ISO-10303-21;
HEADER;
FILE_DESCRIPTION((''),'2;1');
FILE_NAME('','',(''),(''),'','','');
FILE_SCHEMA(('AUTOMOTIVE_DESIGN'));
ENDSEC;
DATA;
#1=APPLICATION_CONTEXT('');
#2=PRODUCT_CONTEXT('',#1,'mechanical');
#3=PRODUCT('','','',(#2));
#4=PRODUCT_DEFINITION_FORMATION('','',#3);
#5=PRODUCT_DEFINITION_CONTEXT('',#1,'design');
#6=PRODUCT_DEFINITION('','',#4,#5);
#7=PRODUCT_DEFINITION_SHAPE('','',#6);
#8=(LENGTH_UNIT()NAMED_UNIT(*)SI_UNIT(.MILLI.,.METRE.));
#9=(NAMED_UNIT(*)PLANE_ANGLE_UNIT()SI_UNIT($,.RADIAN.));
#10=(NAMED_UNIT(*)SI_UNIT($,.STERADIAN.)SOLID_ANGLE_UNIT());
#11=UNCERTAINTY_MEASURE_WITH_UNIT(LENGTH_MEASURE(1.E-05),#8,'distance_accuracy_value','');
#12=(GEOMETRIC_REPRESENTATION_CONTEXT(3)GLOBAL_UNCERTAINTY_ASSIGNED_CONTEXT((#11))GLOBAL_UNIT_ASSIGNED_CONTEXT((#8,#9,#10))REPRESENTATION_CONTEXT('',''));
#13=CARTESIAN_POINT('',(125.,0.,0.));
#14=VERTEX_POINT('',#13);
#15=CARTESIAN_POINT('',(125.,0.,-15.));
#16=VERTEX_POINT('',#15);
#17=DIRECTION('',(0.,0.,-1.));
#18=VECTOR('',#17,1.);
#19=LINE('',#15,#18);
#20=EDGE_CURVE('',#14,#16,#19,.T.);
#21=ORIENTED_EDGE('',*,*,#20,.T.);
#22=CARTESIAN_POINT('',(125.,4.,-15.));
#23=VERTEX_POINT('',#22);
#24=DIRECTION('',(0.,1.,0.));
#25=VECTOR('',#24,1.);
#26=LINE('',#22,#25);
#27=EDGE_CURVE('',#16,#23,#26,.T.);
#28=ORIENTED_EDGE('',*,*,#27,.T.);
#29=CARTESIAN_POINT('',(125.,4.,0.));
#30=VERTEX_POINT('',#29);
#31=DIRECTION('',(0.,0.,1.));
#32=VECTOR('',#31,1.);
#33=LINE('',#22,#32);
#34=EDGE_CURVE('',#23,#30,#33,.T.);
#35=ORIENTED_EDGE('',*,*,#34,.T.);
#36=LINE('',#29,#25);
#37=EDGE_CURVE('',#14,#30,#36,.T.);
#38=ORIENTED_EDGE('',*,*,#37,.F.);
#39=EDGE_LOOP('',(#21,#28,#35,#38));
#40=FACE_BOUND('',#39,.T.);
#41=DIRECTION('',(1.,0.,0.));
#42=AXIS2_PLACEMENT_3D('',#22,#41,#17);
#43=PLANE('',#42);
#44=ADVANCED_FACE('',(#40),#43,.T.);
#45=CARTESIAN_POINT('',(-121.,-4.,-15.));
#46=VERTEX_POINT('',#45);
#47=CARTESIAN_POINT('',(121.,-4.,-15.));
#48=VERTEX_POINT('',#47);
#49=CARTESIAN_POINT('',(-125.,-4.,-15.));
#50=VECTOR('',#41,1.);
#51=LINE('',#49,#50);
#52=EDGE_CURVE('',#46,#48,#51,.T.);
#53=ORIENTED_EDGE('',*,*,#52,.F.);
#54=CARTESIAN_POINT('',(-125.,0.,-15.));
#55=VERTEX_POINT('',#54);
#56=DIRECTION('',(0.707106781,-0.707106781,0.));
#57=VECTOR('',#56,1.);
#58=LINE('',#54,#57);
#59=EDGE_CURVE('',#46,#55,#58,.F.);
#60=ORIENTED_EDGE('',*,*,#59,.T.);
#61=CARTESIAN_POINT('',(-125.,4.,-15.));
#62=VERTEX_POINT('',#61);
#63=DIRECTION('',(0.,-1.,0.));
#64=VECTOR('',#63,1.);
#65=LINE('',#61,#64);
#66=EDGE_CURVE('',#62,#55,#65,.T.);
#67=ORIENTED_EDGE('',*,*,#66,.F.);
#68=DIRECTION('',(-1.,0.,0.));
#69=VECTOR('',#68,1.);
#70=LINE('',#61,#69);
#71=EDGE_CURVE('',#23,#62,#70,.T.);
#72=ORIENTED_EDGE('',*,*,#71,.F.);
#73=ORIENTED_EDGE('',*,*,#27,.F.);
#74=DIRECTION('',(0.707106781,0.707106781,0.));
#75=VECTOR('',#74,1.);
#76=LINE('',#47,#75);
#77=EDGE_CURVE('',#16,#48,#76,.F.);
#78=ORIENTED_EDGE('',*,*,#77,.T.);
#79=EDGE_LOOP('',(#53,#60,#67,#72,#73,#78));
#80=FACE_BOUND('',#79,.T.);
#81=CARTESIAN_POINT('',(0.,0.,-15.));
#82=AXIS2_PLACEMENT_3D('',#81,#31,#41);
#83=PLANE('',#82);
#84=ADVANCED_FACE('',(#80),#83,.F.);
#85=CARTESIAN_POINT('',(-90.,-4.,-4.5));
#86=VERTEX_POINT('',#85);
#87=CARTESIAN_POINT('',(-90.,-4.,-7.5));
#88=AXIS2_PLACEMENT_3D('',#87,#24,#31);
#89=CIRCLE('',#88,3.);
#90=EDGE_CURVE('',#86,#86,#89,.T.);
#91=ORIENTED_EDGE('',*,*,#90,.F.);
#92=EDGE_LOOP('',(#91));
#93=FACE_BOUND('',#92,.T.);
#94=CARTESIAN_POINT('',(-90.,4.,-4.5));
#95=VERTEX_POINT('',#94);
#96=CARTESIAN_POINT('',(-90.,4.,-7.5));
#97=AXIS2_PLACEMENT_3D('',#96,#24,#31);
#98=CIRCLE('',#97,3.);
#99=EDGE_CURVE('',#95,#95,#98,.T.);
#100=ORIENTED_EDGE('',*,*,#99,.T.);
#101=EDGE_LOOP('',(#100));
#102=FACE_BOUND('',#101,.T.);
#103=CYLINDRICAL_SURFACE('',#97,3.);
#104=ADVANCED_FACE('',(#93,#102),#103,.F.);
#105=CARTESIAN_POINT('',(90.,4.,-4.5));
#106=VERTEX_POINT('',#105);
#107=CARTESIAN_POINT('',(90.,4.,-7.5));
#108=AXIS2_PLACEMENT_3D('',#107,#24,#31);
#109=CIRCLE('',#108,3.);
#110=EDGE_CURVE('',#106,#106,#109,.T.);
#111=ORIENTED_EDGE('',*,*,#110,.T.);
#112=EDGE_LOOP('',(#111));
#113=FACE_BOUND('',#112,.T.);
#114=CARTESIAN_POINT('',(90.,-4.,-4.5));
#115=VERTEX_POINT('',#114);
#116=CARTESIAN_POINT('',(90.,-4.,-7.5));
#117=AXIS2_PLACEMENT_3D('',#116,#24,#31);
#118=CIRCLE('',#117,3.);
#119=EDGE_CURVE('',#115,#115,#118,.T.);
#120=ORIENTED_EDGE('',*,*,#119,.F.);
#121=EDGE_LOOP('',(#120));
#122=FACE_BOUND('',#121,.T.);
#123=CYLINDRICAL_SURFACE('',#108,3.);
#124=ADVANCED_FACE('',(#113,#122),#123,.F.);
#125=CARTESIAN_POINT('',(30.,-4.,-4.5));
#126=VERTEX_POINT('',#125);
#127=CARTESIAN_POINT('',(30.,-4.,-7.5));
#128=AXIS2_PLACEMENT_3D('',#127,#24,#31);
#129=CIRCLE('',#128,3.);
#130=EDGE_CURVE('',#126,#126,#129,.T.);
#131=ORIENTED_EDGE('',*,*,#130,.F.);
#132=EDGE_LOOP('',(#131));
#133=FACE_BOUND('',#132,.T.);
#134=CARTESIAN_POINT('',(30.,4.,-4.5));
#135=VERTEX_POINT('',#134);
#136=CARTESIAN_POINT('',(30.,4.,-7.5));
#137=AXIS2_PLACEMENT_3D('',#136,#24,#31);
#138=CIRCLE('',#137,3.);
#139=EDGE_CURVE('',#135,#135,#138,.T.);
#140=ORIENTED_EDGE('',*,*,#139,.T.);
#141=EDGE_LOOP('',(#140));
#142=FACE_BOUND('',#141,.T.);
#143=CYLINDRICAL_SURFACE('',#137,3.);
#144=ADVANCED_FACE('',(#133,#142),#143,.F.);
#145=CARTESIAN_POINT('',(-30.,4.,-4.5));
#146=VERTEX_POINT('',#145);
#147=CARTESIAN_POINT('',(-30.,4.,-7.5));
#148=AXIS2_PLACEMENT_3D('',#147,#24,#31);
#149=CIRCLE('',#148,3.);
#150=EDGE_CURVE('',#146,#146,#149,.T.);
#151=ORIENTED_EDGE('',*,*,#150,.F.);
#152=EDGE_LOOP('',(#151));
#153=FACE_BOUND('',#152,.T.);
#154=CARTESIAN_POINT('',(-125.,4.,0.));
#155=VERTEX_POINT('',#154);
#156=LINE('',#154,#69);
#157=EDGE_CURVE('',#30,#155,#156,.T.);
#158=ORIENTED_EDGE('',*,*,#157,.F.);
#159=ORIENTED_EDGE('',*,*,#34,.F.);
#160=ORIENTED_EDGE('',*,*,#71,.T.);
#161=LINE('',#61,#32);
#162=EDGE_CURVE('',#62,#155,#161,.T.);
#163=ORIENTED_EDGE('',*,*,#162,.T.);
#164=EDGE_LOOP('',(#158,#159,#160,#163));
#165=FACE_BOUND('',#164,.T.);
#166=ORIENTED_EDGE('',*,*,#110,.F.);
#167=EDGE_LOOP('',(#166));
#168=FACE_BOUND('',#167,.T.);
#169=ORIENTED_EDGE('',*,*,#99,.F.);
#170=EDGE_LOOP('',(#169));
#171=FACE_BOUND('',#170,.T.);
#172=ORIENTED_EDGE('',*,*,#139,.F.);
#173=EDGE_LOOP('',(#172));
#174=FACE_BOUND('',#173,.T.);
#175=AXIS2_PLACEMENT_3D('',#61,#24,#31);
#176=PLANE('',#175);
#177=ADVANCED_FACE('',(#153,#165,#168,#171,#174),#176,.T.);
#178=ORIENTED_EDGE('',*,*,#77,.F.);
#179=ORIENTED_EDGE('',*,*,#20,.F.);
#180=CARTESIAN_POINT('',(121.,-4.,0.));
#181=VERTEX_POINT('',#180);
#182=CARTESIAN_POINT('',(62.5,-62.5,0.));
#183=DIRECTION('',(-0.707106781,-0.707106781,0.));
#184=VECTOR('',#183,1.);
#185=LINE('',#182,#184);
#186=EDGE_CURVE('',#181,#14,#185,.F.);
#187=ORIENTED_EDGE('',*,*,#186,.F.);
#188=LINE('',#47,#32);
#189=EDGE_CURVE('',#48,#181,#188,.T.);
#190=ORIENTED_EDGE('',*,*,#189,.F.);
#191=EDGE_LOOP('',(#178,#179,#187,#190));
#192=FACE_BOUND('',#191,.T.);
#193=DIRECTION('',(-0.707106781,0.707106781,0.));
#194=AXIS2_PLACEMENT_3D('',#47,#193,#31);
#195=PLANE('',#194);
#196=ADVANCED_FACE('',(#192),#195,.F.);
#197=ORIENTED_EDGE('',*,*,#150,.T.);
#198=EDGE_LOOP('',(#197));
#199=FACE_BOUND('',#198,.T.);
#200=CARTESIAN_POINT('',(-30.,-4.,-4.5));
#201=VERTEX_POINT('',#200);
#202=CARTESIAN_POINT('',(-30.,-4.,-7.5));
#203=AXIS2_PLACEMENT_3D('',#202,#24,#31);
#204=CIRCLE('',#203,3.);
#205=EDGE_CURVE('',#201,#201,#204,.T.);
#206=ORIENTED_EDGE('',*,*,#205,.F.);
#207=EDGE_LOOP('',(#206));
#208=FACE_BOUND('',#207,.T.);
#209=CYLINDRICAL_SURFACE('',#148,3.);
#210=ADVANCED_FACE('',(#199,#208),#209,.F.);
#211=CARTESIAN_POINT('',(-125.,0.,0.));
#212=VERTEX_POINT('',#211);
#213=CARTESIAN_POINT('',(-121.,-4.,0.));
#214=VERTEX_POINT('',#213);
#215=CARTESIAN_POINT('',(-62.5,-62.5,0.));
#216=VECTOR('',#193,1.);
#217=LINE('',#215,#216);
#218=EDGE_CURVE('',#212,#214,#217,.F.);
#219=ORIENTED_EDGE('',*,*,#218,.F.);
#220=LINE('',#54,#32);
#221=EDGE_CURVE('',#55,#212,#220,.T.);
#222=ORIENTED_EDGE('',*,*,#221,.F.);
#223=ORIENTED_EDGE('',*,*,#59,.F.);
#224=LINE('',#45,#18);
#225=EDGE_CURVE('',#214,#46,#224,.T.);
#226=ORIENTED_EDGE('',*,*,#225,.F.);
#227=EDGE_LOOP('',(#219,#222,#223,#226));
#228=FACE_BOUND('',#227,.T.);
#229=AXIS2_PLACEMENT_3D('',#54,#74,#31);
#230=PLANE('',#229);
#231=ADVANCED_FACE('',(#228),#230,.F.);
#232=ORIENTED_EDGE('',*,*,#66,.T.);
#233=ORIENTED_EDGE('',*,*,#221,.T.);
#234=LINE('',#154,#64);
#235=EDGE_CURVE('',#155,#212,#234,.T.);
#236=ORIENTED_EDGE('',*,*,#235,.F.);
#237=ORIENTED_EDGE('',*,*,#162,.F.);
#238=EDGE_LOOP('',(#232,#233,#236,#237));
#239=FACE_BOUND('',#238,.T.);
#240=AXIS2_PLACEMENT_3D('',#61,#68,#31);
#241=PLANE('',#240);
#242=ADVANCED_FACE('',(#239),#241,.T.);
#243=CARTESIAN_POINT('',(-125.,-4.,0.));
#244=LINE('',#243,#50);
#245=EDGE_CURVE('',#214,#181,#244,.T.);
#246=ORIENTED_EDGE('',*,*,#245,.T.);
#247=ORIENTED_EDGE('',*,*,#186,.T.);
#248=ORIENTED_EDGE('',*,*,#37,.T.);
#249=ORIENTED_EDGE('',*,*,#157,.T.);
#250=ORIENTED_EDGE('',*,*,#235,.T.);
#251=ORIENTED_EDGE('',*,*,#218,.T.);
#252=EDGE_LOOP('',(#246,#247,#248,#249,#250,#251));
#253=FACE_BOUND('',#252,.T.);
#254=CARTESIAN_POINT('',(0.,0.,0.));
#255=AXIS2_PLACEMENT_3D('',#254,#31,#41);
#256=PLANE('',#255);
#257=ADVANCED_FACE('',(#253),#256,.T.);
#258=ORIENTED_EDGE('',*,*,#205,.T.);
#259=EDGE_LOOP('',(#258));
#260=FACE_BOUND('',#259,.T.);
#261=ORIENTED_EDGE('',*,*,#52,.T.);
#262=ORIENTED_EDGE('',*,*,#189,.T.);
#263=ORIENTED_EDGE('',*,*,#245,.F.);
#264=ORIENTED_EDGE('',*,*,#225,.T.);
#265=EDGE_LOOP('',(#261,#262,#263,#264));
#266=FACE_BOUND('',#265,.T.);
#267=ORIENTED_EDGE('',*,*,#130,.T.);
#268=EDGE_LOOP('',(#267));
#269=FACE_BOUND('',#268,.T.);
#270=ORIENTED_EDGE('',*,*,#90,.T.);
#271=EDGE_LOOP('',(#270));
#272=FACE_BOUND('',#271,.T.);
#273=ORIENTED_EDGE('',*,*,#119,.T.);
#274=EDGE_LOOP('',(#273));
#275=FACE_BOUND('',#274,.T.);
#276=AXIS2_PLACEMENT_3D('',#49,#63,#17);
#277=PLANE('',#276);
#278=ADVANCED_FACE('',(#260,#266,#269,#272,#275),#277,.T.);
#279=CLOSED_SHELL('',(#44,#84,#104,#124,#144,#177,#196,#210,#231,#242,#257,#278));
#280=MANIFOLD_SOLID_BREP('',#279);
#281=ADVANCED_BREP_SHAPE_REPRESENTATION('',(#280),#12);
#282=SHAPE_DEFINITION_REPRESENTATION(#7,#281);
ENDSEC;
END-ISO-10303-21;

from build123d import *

# Parameters (mm, degrees)
SKETCH_2_W        = 250
SKETCH_2_H        = 8
EXTRUDE_262_DEPTH = 15
HOLE_WIZARD_6_D   = 6
CHAMFER_1283_SIZE = 4


with BuildPart() as part:
    # Эскиз2 → Extrude 262 (new body)
    with BuildSketch(Plane.XY):
        Rectangle(SKETCH_2_W, SKETCH_2_H)
    extrude(amount=-EXTRUDE_262_DEPTH)

    # Отверстия-6мм (through all)
    with Locations(Plane(origin=(0, 4, 0), x_dir=(-1, 0, 0), z_dir=(0, 1, 0))):
        with Locations((90, -7.5), (-90, -7.5), (30, -7.5), (-30, -7.5)):
            Hole(HOLE_WIZARD_6_D / 2)

    # Chamfer 1283
    chamfer_1283_edges = [part.edges().sort_by_distance(p)[0] for p in [
        (125, -4, -7.5),
        (-125, -4, -7.5),
    ]]
    chamfer(chamfer_1283_edges, length=CHAMFER_1283_SIZE)


solid = part.part
